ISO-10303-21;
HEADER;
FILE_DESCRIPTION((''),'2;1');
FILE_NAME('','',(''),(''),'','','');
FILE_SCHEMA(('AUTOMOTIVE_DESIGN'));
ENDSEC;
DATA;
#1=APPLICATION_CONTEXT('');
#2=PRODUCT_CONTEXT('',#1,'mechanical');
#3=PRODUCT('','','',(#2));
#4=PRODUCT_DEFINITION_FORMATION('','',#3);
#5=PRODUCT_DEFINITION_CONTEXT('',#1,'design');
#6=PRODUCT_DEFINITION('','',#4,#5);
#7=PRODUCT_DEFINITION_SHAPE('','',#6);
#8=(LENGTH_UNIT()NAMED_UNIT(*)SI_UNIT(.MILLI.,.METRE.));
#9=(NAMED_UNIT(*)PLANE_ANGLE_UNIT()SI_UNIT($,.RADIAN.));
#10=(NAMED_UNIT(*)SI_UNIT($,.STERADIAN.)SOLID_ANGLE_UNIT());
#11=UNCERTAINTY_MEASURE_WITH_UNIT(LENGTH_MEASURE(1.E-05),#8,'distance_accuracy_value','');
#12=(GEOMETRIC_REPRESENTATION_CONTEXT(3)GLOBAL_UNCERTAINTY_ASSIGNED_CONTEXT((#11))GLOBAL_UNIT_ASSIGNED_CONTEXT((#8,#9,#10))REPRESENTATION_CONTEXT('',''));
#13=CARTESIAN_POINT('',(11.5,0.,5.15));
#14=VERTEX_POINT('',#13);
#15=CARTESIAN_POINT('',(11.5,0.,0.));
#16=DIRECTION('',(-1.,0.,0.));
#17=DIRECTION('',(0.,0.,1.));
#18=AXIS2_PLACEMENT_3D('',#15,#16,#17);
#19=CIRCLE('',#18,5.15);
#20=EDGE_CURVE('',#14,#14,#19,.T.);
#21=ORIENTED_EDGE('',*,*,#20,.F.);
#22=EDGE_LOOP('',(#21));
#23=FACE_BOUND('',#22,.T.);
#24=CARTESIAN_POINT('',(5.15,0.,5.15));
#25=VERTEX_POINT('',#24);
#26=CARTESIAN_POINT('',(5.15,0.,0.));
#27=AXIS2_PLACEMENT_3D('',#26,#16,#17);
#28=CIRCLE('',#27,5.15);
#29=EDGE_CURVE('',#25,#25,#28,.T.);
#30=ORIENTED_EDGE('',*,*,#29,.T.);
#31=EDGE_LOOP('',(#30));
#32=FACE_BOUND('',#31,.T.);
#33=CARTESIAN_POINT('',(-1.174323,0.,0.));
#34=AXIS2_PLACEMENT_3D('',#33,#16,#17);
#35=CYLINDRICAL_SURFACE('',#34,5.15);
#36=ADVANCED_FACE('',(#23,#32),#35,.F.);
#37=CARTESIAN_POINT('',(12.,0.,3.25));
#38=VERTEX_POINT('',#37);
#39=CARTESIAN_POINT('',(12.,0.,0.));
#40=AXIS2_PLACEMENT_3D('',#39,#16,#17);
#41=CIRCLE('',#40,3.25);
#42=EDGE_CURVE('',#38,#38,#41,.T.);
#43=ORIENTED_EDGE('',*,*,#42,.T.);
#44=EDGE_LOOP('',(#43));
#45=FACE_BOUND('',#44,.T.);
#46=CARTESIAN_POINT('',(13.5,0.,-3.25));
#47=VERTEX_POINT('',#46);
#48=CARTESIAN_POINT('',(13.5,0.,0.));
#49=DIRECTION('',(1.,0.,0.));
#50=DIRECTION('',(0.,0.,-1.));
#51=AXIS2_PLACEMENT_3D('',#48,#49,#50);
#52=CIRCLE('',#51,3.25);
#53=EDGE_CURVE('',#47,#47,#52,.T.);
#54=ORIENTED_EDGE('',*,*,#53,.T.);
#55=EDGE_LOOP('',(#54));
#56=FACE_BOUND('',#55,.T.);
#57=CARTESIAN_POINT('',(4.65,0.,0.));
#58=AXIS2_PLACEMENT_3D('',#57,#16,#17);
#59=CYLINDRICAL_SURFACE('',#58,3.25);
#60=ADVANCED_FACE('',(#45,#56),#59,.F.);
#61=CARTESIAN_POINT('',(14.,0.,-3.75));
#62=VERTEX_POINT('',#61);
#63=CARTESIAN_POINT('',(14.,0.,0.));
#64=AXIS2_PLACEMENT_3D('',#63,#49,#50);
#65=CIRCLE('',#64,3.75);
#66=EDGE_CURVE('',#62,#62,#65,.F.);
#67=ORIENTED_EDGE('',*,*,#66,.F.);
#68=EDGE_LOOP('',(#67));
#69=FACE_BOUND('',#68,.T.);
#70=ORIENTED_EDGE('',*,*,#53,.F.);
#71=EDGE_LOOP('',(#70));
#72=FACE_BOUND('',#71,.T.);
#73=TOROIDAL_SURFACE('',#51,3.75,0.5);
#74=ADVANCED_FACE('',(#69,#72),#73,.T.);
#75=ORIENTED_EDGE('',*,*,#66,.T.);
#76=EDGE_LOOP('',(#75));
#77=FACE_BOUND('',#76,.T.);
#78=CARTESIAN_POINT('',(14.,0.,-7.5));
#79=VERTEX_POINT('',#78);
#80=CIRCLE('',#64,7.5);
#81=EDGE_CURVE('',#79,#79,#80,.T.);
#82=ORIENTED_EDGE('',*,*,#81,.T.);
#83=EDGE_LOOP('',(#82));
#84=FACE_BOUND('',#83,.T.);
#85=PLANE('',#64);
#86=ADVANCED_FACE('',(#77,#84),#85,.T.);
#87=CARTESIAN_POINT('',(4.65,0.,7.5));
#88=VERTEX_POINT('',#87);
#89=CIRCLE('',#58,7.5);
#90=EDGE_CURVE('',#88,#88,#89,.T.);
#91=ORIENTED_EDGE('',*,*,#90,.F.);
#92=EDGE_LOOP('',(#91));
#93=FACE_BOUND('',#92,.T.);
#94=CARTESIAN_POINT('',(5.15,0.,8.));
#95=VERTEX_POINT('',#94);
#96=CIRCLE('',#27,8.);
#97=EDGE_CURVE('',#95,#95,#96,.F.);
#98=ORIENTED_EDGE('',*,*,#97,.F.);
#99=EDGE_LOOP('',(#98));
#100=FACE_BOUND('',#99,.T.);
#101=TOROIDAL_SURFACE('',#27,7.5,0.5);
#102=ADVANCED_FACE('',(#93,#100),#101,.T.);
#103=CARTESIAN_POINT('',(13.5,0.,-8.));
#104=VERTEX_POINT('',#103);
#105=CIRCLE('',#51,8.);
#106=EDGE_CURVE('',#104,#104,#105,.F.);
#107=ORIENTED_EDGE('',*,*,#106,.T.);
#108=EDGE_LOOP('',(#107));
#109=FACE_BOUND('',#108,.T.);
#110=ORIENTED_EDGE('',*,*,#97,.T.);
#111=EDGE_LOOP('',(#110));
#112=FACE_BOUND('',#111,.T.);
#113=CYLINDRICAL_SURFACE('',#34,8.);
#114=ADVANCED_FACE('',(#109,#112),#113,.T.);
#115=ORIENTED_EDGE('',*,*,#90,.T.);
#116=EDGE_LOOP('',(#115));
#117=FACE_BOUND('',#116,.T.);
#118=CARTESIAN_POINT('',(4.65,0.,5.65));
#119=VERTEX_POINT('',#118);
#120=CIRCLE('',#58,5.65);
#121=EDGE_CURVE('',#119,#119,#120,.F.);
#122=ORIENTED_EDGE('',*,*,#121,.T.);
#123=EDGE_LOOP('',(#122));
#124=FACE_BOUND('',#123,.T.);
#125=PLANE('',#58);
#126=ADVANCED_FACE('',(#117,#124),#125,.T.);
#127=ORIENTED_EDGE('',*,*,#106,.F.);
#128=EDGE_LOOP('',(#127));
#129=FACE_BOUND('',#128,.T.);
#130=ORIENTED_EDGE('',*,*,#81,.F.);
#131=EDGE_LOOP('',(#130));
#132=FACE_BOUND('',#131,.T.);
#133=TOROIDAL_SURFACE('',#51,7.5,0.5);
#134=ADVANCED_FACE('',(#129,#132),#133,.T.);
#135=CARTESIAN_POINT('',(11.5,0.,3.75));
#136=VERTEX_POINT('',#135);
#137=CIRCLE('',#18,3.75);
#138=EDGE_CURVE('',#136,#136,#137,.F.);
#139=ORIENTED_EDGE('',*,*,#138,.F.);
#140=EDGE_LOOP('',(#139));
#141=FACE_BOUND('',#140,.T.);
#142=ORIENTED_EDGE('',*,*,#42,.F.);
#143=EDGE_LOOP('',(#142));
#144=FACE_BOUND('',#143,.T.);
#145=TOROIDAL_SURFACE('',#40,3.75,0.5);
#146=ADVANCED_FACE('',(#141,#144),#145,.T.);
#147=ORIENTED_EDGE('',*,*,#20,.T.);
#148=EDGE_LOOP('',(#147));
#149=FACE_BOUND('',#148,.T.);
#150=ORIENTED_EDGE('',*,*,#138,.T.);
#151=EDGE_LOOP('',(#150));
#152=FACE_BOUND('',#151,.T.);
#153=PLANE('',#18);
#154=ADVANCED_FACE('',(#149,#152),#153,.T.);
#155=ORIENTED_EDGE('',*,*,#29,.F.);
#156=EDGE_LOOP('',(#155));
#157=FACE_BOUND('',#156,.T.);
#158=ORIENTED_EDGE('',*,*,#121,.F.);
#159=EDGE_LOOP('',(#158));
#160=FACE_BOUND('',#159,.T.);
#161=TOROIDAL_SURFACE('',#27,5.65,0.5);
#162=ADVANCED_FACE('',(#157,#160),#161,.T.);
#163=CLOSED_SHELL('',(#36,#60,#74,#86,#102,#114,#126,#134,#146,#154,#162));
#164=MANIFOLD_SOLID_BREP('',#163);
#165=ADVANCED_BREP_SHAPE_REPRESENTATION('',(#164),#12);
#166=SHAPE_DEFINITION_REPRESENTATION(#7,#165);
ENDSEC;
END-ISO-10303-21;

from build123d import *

# Parameters (mm, degrees)
CUT_EXTRUDE1_DEPTH      = 19
CUT_EXTRUDE1_DEPTH_BACK = 19
SKETCH2_R               = 3.25
FILLET1_R               = 0.5


with BuildPart() as part:
    # Sketch1 → Revolve1 (revolve)
    with BuildSketch(Plane.XY, mode=Mode.PRIVATE) as revolve1_sk:
        Polygon((11.5, 5.15), (4.65, 5.15), (4.65, 8), (14, 8), (14, 0), (11.5, 0), align=None)
    revolve(revolve1_sk.sketch.rotate(Axis((-1.174323487, 0, 0), (1, 0, 0)), 90), axis=Axis((-1.174323487, 0, 0), (1, 0, 0)))

    # Sketch2 → Cut-Extrude1 (cut, two sides: drawn at the far end of the back side and taken through both)
    with BuildSketch(Plane(origin=(0, 0, 0), x_dir=(0, 0, -1), z_dir=(1, 0, 0)).offset(-CUT_EXTRUDE1_DEPTH_BACK)):
        with Locations(Location((0, 0, 0), (0, 0, 180))):
            Circle(SKETCH2_R)
    extrude(amount=CUT_EXTRUDE1_DEPTH + CUT_EXTRUDE1_DEPTH_BACK, mode=Mode.SUBTRACT)

    # Fillet1
    fillet1_edges = [part.edges().sort_by_distance(p)[0] for p in [
        (11.5, 0, -3.25),
        (14, 0, -3.25),
        (4.65, 0, -5.15),
        (4.65, 0, -8),
        (14, 0, -8),
    ]]
    fillet(fillet1_edges, radius=FILLET1_R)


solid = part.part
